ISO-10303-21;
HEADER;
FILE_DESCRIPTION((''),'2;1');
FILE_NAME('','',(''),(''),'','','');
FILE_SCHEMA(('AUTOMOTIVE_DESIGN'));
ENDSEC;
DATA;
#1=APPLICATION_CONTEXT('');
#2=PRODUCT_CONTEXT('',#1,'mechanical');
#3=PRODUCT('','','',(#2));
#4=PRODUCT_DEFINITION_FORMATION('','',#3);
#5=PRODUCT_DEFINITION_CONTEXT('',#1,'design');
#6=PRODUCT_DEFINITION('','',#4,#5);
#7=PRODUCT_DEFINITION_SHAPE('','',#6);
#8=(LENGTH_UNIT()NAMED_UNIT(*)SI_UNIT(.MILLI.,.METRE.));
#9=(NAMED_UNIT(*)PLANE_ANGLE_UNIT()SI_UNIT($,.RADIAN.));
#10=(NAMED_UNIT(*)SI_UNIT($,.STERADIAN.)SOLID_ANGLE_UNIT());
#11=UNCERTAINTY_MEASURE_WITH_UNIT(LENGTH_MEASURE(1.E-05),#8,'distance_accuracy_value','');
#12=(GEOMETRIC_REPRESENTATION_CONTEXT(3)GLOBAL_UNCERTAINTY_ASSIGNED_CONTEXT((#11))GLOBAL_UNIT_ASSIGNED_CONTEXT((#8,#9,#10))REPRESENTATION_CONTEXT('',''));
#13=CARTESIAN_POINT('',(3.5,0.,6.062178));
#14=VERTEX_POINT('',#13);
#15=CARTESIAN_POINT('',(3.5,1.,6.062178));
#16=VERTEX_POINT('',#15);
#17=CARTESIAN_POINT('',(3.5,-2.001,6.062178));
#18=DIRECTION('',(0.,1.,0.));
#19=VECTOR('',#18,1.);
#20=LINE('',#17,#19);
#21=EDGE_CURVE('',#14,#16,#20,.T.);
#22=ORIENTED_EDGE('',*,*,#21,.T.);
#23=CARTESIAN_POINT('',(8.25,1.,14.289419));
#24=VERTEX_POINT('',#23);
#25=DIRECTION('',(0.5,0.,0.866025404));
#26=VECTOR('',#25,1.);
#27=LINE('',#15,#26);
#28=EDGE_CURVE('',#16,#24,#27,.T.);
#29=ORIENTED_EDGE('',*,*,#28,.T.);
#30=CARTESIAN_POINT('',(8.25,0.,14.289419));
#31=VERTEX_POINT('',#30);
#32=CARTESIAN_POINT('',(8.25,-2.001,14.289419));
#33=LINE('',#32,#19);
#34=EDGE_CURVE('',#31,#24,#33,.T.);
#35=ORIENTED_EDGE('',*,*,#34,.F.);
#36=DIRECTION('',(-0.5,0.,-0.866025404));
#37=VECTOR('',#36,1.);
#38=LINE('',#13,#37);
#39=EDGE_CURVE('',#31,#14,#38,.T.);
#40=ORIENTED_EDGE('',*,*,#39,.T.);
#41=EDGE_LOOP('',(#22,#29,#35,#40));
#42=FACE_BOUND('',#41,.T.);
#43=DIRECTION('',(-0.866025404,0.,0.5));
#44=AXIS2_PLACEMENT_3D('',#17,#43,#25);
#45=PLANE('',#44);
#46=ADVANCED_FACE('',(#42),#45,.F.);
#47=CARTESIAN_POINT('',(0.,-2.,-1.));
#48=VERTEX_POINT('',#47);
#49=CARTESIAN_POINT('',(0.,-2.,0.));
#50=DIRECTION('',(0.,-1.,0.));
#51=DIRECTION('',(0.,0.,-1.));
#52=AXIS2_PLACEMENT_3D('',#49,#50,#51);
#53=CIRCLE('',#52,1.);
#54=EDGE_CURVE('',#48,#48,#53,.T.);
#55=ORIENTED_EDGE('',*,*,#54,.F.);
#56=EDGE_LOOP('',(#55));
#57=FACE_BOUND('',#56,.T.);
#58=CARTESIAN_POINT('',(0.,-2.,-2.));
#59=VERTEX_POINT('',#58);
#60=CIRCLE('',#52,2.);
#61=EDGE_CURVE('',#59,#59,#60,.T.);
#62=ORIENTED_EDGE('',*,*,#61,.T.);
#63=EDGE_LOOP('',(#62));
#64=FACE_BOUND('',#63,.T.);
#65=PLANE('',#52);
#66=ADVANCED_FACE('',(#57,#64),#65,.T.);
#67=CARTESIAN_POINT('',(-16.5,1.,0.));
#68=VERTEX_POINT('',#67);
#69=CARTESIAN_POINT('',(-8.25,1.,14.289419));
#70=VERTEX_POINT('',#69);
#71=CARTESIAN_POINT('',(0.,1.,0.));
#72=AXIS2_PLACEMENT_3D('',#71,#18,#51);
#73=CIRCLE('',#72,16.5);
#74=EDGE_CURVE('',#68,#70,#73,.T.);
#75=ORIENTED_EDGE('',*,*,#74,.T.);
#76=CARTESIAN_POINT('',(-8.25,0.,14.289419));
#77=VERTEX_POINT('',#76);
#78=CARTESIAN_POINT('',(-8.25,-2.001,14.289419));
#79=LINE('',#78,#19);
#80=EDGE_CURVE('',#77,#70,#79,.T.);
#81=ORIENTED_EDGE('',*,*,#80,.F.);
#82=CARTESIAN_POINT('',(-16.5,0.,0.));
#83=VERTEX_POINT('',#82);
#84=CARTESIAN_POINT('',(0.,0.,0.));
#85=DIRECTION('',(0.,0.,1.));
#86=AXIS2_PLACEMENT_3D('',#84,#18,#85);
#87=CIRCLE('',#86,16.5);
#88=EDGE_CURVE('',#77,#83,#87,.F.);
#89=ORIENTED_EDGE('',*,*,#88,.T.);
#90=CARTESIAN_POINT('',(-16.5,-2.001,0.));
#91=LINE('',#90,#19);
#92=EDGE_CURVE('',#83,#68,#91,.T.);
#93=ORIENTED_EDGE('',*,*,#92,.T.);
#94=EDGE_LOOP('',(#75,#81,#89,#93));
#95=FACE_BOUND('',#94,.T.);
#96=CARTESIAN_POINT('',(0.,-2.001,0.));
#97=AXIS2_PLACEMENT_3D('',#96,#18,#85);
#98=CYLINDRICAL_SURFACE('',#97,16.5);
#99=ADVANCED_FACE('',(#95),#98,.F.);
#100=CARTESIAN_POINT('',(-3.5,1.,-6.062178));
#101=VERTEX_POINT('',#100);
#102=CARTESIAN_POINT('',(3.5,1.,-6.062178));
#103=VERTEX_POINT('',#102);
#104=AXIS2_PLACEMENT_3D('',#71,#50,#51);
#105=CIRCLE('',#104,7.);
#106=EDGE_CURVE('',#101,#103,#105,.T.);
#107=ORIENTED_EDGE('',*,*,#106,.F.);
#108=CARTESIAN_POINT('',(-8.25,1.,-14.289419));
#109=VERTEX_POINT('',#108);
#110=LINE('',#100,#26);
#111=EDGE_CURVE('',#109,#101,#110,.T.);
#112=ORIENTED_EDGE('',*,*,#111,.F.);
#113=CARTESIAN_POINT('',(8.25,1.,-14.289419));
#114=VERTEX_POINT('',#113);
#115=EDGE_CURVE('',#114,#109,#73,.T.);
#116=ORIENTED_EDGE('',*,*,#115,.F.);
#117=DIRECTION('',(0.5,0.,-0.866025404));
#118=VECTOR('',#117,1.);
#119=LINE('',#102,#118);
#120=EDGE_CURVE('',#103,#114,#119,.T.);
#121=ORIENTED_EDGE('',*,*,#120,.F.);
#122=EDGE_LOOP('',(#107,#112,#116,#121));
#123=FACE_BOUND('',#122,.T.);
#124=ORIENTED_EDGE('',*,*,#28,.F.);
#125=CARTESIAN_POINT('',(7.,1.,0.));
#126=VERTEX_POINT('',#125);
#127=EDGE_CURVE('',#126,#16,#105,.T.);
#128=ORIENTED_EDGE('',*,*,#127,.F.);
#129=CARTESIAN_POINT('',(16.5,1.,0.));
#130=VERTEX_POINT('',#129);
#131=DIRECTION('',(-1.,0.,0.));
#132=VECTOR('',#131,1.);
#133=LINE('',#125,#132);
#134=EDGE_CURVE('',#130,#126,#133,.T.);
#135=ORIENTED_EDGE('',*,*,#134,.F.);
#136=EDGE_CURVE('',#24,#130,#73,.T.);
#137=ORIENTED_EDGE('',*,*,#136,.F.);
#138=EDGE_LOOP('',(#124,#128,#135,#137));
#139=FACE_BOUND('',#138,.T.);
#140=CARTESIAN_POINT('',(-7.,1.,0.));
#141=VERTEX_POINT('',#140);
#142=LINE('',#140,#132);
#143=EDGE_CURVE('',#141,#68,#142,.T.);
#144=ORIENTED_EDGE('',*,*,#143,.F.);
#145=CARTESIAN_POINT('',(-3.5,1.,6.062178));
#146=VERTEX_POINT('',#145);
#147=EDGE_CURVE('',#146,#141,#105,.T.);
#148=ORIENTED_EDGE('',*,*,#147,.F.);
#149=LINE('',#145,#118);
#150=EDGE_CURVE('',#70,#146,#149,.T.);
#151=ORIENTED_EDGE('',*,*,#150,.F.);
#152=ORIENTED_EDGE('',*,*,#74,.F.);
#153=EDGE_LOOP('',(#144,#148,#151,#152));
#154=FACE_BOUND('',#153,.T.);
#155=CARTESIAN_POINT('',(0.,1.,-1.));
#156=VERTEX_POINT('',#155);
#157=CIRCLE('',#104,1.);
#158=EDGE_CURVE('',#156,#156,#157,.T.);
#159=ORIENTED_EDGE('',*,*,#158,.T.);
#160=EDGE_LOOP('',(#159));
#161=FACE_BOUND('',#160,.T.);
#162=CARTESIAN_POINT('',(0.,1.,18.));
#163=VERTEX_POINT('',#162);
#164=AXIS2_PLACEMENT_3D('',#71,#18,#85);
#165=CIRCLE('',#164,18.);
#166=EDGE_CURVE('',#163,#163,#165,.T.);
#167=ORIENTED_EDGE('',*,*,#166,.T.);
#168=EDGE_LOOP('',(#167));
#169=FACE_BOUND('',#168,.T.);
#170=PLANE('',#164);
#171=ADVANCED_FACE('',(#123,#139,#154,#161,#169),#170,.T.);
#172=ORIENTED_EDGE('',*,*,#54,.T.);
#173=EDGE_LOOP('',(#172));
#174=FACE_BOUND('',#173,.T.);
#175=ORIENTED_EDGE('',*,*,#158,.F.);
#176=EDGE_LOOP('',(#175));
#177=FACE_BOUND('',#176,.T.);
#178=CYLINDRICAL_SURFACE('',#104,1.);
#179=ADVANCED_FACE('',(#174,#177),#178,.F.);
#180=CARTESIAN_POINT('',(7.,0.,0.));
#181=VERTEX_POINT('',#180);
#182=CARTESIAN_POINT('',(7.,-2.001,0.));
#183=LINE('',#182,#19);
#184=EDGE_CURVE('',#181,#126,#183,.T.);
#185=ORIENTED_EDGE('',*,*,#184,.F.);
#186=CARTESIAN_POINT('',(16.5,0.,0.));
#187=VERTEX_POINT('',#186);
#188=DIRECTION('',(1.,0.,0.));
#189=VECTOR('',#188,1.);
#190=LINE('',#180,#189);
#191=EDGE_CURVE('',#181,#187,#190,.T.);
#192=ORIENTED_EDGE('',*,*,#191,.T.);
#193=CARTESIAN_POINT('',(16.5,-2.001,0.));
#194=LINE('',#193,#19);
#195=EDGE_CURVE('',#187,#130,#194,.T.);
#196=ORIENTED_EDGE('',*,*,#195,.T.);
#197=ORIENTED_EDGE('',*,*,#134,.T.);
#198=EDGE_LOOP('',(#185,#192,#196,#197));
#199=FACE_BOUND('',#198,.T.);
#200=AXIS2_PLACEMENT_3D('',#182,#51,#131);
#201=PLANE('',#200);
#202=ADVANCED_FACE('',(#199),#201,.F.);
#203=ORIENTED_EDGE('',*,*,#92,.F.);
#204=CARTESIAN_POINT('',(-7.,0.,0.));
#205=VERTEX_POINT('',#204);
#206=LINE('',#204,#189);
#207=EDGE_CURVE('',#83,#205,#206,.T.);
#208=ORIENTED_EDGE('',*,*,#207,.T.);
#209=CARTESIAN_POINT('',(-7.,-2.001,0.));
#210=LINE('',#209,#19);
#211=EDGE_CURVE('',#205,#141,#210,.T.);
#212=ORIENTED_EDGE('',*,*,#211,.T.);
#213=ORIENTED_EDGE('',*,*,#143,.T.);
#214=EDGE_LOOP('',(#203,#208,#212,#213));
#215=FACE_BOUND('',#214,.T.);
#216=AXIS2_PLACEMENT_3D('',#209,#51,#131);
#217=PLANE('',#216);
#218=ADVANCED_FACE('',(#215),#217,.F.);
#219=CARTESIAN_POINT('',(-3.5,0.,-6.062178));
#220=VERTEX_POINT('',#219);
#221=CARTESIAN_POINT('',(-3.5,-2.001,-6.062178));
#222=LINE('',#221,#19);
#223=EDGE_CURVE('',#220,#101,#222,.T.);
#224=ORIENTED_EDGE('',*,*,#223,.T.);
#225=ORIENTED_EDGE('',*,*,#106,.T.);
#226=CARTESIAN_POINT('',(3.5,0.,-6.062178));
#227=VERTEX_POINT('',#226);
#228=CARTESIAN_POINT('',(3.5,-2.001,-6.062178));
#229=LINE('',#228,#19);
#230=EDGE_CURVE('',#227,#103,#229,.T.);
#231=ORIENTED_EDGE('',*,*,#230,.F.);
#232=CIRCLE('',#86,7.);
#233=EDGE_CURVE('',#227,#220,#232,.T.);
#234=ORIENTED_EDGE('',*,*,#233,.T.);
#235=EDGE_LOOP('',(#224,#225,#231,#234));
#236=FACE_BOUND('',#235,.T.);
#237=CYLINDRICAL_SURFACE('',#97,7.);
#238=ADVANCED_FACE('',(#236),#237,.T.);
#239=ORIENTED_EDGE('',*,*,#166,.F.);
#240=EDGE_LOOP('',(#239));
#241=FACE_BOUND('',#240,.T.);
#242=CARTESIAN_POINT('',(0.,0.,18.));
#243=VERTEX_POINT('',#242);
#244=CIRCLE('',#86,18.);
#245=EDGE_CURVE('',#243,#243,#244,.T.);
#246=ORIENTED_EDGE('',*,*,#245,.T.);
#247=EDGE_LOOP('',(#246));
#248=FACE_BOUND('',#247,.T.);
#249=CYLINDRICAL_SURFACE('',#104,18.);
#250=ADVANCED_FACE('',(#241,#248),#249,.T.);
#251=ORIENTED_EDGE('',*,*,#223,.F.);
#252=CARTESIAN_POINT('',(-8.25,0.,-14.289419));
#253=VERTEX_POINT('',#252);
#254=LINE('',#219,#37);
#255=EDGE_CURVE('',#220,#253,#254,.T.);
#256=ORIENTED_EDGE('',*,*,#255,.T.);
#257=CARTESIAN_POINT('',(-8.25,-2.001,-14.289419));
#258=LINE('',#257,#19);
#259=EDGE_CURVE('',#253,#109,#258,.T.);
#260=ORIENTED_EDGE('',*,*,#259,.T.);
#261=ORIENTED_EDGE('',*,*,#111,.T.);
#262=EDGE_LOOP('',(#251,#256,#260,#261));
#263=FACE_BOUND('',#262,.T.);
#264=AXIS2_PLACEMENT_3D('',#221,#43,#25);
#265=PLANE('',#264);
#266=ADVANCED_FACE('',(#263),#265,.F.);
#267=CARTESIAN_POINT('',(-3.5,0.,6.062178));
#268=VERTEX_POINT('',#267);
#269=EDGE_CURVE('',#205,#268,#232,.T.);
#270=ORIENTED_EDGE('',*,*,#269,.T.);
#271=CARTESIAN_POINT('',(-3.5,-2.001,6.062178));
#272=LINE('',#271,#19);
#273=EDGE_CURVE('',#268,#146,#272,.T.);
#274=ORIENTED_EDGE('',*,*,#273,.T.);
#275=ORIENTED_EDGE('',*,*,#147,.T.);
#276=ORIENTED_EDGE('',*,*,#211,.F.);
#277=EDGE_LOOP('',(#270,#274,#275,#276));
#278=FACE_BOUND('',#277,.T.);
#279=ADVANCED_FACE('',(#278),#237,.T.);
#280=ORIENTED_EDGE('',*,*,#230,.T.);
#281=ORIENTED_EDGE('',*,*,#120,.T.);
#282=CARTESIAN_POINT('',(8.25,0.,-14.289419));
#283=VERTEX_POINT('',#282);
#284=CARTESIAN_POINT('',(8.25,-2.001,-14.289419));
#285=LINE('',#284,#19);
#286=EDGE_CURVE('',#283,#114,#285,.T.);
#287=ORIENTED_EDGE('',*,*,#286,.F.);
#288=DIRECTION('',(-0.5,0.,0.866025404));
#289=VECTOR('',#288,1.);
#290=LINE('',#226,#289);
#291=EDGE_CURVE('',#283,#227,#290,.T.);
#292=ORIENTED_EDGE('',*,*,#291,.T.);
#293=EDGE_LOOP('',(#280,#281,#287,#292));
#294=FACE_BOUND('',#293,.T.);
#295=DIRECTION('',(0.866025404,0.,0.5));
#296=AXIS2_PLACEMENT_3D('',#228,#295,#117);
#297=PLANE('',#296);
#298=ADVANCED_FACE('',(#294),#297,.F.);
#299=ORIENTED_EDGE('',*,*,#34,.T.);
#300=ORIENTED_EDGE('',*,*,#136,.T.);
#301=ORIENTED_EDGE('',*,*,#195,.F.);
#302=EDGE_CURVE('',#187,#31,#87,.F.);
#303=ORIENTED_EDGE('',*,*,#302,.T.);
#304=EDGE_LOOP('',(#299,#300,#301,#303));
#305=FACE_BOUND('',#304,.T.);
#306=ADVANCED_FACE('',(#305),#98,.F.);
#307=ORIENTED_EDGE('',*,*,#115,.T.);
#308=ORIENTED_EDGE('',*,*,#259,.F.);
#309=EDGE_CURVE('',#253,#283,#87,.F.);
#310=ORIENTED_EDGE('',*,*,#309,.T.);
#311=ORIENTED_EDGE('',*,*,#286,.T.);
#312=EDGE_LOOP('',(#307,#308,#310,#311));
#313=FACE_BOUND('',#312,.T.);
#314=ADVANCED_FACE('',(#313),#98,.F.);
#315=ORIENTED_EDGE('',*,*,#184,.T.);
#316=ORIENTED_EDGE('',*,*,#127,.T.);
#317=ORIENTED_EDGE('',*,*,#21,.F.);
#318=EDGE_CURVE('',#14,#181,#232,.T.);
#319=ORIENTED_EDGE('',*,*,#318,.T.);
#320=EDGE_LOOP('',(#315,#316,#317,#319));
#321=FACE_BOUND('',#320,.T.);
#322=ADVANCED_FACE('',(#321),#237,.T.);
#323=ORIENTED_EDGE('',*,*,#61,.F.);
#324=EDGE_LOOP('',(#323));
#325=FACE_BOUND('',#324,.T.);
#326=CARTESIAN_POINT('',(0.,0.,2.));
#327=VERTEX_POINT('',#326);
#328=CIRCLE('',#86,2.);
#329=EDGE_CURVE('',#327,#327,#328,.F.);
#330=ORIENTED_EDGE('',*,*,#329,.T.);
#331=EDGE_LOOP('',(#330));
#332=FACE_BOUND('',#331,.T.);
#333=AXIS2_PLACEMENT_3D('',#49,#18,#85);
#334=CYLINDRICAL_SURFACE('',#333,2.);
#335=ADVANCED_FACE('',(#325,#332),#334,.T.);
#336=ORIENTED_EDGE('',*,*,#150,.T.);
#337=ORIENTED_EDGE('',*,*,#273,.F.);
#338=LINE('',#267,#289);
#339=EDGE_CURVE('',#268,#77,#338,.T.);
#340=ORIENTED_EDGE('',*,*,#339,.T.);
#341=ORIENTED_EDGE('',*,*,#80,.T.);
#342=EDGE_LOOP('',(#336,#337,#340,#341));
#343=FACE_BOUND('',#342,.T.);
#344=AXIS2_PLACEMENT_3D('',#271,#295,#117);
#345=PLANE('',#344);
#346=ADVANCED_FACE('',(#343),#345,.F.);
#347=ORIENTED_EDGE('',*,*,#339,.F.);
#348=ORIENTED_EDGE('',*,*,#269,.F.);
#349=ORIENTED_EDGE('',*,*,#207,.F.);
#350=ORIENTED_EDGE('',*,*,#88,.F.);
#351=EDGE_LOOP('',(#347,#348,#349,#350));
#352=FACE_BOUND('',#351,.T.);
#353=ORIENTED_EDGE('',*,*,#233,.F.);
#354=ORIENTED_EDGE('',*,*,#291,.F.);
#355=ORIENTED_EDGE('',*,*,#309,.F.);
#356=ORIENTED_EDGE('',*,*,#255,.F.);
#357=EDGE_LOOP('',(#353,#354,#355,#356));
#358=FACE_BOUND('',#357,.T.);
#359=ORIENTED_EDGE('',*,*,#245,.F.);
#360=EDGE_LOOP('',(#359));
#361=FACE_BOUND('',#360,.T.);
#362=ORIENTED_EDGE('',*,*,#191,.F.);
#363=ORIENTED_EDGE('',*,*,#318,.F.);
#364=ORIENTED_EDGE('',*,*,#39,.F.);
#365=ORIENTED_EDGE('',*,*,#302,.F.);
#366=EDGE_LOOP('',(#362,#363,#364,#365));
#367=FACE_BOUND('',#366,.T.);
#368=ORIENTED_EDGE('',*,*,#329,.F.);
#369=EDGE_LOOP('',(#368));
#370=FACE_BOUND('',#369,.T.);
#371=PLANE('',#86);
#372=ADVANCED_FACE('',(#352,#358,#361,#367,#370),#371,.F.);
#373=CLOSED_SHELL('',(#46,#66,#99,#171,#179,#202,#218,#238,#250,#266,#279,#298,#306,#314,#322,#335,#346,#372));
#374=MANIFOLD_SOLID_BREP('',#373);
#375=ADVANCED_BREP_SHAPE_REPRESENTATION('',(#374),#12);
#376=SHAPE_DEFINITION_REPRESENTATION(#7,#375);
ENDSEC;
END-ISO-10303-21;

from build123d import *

# Parameters (mm, degrees)
SKETCH1_R           = 18
BOSS_EXTRUDE1_DEPTH = 1
SKETCH2_R           = 2
BOSS_EXTRUDE2_DEPTH = 2
SKETCH3_R           = 1
CUT_EXTRUDE1_DEPTH  = 26.632011236
CUT_EXTRUDE2_REACH  = 27.632


with BuildPart() as part:
    # Sketch1 → Boss-Extrude1 (new body)
    with BuildSketch(Plane(origin=(0, 0, 0), x_dir=(1, 0, 0), z_dir=(0, 1, 0))):
        with Locations(Location((0, 0, 0), (0, 0, 270))):
            Circle(SKETCH1_R)
    extrude(amount=BOSS_EXTRUDE1_DEPTH)

    # Sketch2 → Boss-Extrude2 (add)
    with BuildSketch(Plane.XZ):
        with Locations(Location((0, 0, 0), (0, 0, 90))):
            Circle(SKETCH2_R)
    extrude(amount=BOSS_EXTRUDE2_DEPTH)

    # Sketch3 → Cut-Extrude1 (cut, through all)
    with BuildSketch(Plane.XZ.offset(2)):
        with Locations(Location((0, 0, 0), (0, 0, 270))):
            Circle(SKETCH3_R)
    extrude(amount=-CUT_EXTRUDE1_DEPTH, mode=Mode.SUBTRACT)

    # Sketch4 → Cut-Extrude2 (cut, up to next)
    with BuildSketch(Plane(origin=(0, 1, 0), x_dir=(1, 0, 0), z_dir=(0, 1, 0)), mode=Mode.PRIVATE) as cut_extrude2_sk1:
        with BuildLine():
            Line((-3.5, 6.062177826), (-8.25, 14.289419162))
            ThreePointArc((-8.25, 14.289419162), (0, 16.5), (8.25, 14.289419162))
            Line((8.25, 14.289419162), (3.5, 6.062177826))
            ThreePointArc((3.5, 6.062177826), (0, 7), (-3.5, 6.062177826))
        make_face()
    cut_extrude2_tool1 = extrude(cut_extrude2_sk1.sketch, amount=-CUT_EXTRUDE2_REACH, mode=Mode.PRIVATE) & part.part
    # Sketch4 → Cut-Extrude2 (cut, up to next)
    with BuildSketch(Plane(origin=(0, 1, 0), x_dir=(1, 0, 0), z_dir=(0, 1, 0)), mode=Mode.PRIVATE) as cut_extrude2_sk2:
        with BuildLine():
            Line((7, 0), (16.5, 0))
            ThreePointArc((16.5, 0), (14.289419162, -8.25), (8.25, -14.289419162))
            Line((8.25, -14.289419162), (3.5, -6.062177826))
            ThreePointArc((3.5, -6.062177826), (6.062177826, -3.5), (7, 0))
        make_face()
    cut_extrude2_tool2 = extrude(cut_extrude2_sk2.sketch, amount=-CUT_EXTRUDE2_REACH, mode=Mode.PRIVATE) & part.part
    # Sketch4 → Cut-Extrude2 (cut, up to next)
    with BuildSketch(Plane(origin=(0, 1, 0), x_dir=(1, 0, 0), z_dir=(0, 1, 0)), mode=Mode.PRIVATE) as cut_extrude2_sk3:
        with BuildLine():
            Line((-3.5, -6.062177826), (-8.25, -14.289419162))
            ThreePointArc((-8.25, -14.289419162), (-14.289419162, -8.25), (-16.5, 0))
            Line((-16.5, 0), (-7, 0))
            ThreePointArc((-7, 0), (-6.062177826, -3.5), (-3.5, -6.062177826))
        make_face()
    cut_extrude2_tool3 = extrude(cut_extrude2_sk3.sketch, amount=-CUT_EXTRUDE2_REACH, mode=Mode.PRIVATE) & part.part
    add(cut_extrude2_tool1.solids().sort_by_distance((0, 1, -11.831646))[0], mode=Mode.SUBTRACT)
    add(cut_extrude2_tool2.solids().sort_by_distance((10.246506, 1, 5.915823))[0], mode=Mode.SUBTRACT)
    add(cut_extrude2_tool3.solids().sort_by_distance((-10.246506, 1, 5.915823))[0], mode=Mode.SUBTRACT)


solid = part.part
